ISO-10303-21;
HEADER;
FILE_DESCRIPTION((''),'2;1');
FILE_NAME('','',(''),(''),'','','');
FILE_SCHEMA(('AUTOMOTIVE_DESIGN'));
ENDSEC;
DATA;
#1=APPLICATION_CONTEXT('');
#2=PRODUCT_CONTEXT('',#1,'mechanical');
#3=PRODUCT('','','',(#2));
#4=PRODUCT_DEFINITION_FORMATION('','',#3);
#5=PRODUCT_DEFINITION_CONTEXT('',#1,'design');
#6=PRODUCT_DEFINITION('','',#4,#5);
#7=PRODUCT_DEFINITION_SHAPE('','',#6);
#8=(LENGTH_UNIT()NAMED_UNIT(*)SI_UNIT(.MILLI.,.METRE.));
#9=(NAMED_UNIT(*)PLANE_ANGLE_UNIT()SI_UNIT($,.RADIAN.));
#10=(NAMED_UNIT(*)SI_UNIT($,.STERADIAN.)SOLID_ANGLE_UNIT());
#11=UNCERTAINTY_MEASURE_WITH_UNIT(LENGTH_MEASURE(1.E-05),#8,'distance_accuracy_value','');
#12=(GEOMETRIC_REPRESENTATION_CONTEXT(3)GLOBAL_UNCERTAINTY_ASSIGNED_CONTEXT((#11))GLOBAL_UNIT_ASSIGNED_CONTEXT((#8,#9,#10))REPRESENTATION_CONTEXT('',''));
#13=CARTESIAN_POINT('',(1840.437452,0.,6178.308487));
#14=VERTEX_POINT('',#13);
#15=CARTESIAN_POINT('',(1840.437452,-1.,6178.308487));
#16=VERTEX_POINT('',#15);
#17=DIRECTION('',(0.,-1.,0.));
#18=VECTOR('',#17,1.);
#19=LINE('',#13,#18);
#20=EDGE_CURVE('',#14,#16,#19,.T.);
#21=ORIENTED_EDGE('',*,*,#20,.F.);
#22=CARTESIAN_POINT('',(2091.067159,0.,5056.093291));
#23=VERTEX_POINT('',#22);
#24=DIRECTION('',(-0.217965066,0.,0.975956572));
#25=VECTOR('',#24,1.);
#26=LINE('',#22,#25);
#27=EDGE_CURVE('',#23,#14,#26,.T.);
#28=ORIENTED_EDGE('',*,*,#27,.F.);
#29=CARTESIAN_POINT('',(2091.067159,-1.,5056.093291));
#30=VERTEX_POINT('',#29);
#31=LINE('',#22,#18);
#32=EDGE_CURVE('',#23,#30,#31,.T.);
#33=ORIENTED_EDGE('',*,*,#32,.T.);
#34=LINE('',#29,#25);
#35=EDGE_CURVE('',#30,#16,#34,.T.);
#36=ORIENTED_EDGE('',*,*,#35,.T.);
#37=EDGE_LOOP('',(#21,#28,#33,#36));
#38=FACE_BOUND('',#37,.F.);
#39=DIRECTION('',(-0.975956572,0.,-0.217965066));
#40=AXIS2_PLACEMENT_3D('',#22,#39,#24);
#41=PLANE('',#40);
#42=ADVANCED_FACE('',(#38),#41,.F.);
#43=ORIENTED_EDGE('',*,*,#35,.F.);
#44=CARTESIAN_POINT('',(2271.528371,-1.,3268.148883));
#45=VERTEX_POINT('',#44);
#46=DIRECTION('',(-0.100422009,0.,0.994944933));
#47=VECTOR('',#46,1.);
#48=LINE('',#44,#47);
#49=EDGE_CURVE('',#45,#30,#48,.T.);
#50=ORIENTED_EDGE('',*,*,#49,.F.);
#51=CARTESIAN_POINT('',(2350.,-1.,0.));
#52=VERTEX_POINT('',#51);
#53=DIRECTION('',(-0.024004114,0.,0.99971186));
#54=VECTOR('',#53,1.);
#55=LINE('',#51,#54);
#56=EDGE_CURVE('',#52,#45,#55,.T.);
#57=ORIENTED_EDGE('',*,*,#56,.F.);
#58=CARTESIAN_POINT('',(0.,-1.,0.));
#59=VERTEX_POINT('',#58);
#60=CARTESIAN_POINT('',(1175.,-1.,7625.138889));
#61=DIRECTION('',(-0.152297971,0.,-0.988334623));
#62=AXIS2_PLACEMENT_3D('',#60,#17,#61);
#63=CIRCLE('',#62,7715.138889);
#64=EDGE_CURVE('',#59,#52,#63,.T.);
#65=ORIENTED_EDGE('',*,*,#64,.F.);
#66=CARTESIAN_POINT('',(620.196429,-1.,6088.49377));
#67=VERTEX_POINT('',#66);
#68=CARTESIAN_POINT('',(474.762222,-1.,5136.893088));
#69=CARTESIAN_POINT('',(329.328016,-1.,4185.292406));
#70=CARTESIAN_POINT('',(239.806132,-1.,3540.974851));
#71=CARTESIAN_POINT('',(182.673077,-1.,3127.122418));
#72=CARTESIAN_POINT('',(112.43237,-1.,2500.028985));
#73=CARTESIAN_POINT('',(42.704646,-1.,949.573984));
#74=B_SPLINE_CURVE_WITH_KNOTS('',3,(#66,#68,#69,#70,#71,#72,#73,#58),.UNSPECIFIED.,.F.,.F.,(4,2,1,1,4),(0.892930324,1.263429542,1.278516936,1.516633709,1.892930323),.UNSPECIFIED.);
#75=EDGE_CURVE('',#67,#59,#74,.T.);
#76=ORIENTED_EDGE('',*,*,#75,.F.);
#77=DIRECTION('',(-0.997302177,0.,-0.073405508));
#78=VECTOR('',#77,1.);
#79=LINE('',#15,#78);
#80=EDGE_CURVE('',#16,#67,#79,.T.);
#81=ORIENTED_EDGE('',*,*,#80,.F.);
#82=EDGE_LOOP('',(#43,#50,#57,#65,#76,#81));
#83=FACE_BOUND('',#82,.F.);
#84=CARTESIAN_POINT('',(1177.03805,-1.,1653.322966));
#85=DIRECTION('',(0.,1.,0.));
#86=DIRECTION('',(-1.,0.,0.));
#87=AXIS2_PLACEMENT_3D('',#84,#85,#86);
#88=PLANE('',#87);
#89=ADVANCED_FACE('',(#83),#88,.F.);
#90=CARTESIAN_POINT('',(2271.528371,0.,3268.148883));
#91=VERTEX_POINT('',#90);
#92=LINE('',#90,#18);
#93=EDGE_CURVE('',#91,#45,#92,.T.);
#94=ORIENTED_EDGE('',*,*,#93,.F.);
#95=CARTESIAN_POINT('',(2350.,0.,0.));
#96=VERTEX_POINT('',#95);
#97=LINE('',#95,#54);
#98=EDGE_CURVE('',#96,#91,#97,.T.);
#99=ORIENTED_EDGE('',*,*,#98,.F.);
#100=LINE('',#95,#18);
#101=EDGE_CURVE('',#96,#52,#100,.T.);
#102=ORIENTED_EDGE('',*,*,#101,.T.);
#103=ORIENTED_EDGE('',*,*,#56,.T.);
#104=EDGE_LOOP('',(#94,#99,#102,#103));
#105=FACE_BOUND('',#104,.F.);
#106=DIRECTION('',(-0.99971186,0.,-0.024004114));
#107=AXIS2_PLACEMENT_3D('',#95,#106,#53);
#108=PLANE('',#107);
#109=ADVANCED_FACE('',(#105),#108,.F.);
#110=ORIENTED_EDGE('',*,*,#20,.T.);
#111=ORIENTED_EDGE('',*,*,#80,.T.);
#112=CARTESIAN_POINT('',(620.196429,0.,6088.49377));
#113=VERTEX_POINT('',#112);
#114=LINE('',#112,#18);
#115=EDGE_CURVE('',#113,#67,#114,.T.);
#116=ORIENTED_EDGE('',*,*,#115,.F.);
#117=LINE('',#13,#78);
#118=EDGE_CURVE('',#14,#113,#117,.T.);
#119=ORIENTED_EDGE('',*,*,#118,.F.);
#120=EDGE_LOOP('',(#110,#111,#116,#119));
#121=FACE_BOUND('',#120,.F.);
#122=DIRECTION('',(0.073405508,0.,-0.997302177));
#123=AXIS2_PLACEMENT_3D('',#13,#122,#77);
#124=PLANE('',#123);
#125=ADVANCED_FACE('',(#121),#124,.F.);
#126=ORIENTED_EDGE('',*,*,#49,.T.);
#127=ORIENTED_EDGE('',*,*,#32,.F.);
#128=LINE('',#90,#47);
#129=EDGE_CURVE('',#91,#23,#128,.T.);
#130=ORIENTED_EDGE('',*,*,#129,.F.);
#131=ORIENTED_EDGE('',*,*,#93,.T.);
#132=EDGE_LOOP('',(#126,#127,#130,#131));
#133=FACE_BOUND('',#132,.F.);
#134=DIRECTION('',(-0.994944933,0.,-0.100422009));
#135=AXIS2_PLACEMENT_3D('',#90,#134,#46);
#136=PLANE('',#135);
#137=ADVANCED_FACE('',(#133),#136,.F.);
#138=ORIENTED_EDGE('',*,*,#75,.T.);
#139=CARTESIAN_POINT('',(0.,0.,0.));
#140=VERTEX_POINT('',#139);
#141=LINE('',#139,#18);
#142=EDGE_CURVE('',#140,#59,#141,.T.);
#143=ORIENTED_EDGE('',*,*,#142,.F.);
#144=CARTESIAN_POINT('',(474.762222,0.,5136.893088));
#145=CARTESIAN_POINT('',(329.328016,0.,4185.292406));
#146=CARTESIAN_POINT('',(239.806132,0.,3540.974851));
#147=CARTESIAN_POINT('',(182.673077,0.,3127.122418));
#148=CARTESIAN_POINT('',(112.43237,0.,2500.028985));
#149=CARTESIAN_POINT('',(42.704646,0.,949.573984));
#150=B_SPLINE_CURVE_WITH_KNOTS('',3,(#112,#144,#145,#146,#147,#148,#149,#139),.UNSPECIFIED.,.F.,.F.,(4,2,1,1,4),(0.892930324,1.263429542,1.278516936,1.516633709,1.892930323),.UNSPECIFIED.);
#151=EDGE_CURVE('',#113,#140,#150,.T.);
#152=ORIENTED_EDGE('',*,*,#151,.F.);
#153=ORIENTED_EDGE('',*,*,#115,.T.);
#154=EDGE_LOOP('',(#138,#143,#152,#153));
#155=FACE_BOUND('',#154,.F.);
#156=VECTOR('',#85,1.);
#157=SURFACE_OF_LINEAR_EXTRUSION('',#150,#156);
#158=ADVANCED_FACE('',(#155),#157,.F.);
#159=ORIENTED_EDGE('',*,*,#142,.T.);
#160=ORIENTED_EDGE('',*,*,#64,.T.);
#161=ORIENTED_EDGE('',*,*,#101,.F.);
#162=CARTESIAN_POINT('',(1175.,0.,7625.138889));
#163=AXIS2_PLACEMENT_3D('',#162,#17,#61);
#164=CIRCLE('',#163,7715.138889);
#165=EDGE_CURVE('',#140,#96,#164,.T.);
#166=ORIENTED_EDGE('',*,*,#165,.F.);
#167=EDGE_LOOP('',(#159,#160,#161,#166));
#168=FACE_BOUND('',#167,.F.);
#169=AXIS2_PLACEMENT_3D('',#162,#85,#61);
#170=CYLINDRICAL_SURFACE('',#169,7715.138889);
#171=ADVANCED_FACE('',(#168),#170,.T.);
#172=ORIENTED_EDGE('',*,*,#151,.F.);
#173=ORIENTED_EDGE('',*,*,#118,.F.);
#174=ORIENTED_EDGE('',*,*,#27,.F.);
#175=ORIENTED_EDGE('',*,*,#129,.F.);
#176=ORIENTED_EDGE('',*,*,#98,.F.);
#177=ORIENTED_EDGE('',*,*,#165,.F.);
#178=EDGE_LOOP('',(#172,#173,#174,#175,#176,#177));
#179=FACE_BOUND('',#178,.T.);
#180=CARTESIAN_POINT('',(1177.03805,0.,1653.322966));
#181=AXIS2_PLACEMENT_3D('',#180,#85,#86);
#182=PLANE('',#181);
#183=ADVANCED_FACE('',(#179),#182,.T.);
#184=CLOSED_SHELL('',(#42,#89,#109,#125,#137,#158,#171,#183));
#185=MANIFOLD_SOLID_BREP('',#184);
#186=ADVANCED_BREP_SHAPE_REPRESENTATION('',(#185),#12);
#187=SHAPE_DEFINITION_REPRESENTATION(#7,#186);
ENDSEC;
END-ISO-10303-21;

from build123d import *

# Parameters (mm, degrees)
F3_DEPTH = 1


with BuildPart() as f3:
    # F2 (on face) → F3 (new body)
    with BuildSketch(Plane.XZ):
        with BuildLine():
            add(Edge.make_bspline(
                [(0, 0), (42.7046461039, 949.5739841818), (112.432369512, 2500.0289853407), (182.6730771476, 3127.1224176745), (239.8061324131, 3540.974850897), (243.3089820247, 3566.1859769213)],
                knots=[0, 0, 0, 0, 0.3762966151, 0.6144133881, 0.6295007819, 0.6295007819, 0.6295007819, 0.6295007819], degree=3))
            ThreePointArc((0, 0), (1175, -90), (2350, 0))
            Line((2350, 0), (2271.5283712436, 3268.1488832628))
            Line((2271.5283712436, 3268.1488832628), (243.3089820247, 3566.1859769213))
        make_face()
        with BuildLine():
            add(Edge.make_bspline(
                [(243.3089820247, 3566.1859769213), (304.4695829495, 4006.3783313189), (395.6668495319, 4614.6593811094), (495.5443397145, 5271.5159777768)],
                knots=[0.6295007819, 0.6295007819, 0.6295007819, 0.6295007819, 0.8929303241, 0.8929303241, 0.8929303241, 0.8929303241], degree=3))
            Line((243.3089820247, 3566.1859769213), (2271.5283712436, 3268.1488832628))
            Line((2271.5283712436, 3268.1488832628), (1445.8623999075, 4678.3213267406))
            Line((1445.8623999075, 4678.3213267406), (1150.303677945, 5183.1123434596))
            Line((1150.303677945, 5183.1123434596), (495.5443397145, 5271.5159777768))
        make_face()
        Polygon((1445.8623999075, 4678.3213267406), (2271.5283712436, 3268.1488832628), (2091.0671587364, 5056.0932909943), align=None)
        with BuildLine():
            add(Edge.make_bspline(
                [(495.5443397145, 5271.5159777768), (536.139067295, 5538.4921958656), (578.1677479332, 5813.492983042), (620.1964285714, 6088.4937702183)],
                knots=[0.8929303241, 0.8929303241, 0.8929303241, 0.8929303241, 1, 1, 1, 1], degree=3))
            Line((495.5443397145, 5271.5159777768), (1150.303677945, 5183.1123434596))
            Line((1150.303677945, 5183.1123434596), (620.1964285714, 6088.4937702183))
        make_face()
        Polygon((1150.303677945, 5183.1123434596), (1445.8623999075, 4678.3213267406), (2091.0671587364, 5056.0932909943), align=None)
        Polygon((1150.303677945, 5183.1123434596), (2091.0671587364, 5056.0932909943), (1840.4374521526, 6178.3084870094), (620.1964285714, 6088.4937702183), align=None)
    extrude(amount=F3_DEPTH)


solid = f3.part
